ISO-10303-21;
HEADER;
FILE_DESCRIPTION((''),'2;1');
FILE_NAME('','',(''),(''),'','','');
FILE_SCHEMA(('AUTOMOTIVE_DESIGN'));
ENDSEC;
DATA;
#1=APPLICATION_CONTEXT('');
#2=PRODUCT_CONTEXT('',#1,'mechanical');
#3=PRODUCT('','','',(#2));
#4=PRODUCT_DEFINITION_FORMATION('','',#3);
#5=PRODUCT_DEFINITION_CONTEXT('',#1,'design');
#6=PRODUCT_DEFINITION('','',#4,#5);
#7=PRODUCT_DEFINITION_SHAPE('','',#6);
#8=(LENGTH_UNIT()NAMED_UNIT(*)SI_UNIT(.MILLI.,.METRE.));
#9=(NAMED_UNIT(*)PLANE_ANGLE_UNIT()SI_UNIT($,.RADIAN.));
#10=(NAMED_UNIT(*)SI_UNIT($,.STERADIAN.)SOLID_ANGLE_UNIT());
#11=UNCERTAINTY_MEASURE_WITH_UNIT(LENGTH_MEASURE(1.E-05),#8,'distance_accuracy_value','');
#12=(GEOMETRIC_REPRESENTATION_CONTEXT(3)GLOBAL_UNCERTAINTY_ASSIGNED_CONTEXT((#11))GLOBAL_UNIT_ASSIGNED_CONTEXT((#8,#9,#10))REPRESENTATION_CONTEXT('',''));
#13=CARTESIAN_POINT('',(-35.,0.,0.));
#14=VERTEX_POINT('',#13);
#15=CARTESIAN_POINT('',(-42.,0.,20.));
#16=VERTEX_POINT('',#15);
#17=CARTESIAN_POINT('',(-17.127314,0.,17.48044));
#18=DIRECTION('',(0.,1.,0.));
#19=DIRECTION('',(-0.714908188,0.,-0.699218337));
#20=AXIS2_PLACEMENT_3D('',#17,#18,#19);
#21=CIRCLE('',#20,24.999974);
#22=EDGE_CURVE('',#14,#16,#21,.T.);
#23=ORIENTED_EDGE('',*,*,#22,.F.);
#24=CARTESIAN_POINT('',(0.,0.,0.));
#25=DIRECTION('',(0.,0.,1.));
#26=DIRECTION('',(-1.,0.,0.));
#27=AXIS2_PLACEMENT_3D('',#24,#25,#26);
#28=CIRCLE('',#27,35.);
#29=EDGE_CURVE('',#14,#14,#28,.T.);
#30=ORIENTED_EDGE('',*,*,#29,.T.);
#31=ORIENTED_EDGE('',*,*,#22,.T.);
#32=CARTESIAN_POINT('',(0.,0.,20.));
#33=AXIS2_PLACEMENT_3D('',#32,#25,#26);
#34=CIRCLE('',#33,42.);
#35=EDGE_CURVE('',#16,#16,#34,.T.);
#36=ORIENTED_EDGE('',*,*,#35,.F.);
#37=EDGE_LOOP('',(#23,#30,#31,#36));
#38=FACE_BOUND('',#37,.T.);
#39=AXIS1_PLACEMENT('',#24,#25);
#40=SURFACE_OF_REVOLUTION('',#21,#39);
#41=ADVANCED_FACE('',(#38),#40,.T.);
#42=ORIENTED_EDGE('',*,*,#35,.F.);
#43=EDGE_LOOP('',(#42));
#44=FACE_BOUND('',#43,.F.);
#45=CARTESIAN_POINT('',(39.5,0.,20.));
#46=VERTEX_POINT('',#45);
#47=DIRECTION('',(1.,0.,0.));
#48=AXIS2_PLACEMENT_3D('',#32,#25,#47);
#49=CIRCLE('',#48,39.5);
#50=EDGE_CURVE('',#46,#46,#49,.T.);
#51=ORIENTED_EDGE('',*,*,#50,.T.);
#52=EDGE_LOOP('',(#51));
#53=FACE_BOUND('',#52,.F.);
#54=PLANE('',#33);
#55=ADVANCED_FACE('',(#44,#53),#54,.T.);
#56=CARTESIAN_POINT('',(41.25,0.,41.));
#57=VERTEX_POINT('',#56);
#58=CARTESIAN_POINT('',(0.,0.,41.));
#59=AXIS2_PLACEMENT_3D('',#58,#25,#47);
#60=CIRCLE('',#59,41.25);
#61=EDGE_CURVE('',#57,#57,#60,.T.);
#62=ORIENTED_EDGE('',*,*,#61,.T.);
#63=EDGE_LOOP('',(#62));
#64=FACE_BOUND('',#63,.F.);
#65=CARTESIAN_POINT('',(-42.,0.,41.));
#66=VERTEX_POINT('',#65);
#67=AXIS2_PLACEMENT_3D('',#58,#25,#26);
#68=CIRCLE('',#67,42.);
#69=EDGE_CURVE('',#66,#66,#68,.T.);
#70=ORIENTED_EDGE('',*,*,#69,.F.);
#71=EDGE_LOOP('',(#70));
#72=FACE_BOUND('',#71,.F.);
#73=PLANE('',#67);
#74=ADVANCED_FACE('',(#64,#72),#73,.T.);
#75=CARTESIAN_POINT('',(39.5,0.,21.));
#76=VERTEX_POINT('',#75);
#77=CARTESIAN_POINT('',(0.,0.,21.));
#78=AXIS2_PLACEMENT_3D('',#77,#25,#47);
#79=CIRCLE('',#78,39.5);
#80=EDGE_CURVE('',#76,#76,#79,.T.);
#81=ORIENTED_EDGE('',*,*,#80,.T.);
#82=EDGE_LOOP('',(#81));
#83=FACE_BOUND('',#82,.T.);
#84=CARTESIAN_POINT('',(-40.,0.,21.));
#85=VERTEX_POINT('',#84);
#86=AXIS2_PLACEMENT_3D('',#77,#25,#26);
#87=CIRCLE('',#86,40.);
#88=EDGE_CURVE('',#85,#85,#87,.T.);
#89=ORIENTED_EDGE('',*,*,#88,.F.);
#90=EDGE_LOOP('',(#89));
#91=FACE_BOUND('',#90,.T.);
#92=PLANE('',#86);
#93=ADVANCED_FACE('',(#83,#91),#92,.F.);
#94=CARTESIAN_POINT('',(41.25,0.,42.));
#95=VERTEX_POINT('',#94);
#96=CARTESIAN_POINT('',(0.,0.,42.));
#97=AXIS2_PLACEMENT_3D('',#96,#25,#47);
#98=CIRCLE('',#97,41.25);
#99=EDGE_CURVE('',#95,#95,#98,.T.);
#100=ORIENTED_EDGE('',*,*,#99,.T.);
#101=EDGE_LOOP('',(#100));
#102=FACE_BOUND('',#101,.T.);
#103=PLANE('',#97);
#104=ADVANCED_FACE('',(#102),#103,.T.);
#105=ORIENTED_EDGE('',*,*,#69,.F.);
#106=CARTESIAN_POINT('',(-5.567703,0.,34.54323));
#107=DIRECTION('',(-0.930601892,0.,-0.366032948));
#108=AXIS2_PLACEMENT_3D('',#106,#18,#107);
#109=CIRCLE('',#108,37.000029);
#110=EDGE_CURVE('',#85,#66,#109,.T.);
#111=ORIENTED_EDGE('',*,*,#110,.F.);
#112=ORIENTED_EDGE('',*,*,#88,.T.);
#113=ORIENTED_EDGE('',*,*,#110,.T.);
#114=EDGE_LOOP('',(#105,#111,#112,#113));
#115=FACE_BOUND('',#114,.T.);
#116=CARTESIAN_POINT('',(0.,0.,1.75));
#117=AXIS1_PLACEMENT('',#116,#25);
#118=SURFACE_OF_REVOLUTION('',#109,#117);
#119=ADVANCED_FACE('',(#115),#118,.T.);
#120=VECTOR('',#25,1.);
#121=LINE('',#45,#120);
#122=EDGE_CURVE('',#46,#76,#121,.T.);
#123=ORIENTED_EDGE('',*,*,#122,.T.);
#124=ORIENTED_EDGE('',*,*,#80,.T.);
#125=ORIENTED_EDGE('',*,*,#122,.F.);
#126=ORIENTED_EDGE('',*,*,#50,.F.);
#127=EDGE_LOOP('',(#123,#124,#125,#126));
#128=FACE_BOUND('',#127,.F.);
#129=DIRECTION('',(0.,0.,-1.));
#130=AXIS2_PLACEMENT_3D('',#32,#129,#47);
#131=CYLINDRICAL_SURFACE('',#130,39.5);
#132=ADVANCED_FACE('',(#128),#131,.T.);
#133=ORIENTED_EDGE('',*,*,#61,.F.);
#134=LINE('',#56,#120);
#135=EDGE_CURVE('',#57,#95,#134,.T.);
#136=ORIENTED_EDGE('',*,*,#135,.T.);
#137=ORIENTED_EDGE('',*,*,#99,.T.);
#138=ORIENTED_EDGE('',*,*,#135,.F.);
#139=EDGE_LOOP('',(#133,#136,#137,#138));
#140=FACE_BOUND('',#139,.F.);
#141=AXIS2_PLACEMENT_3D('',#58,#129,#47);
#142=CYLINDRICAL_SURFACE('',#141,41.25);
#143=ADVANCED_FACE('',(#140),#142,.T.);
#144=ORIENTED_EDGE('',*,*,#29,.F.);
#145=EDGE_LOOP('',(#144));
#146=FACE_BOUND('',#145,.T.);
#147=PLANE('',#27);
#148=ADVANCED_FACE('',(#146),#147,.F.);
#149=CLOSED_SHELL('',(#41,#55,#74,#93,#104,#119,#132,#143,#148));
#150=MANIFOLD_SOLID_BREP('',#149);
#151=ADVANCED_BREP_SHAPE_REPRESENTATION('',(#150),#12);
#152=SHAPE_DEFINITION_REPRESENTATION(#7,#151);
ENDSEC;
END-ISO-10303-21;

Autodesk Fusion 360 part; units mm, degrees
sketch "Sketch1" plane through (0, 0, 0) normal (0, 1, 0) x (1, 0, 0)
  line L0 (0, 0) -> (-35, 0)
  line L1 (0, 0) -> (0, -20)
  line L2 (0, -20) -> (-42, -20)
  arc A0 (-35, 0) -> (-42, -20) centre (-17.1273, -17.4804) ccw
  dimension "d1" = 35
  dimension "d2" = 20
  dimension "d3" = 42
  dimension "d4" = 25
revolve "Revolve1" add sketch "Sketch1" angle 360 about axis through (0, 0, 0) along (0, 0, 1)
sketch "Sketch2" plane through (0, 0, 20) normal (0, 0, 1) x (1, 0, 0)
  circle A0 centre (0, 0) radius 42
  circle A1 centre (0, 0) radius 39.5
  dimension "d6" = 79
extrude "Extrude1" add sketch "Sketch2" along normal blind 1 contours A1
sketch "Sketch4" plane through (0, 0, 21) normal (0, 0, 1) x (1, 0, 0)
  circle A0 centre (0, 0) radius 39.5
sketch "Sketch5" plane through (0, 0, 0) normal (0, 1, 0) x (1, 0, 0)
  line L0 (0, -21) -> (0, -41)
  line L1 (0, -41) -> (-42, -41)
  line L2 (0, -21) -> (-40, -21)
  arc A0 (-40, -21) -> (-42, -41) centre (-5.5677, -34.5432) ccw
  point P0 (0, -21)
  dimension "d9" = 20
  dimension "d10" = 42
  dimension "d11" = 40
  dimension "d12" = 37
revolve "Revolve2" add sketch "Sketch5" angle 360 about axis through (0, 0, 1.75) along (0, 0, 1)
sketch "Sketch6" plane through (0, 0, 41) normal (0, 0, 1) x (1, 0, 0)
  circle A0 centre (0, 0) radius 42
  circle A1 centre (0, 0) radius 41.25
  dimension "d14" = 82.5
extrude "Extrude2" add sketch "Sketch6" along normal blind 1 contours A1
